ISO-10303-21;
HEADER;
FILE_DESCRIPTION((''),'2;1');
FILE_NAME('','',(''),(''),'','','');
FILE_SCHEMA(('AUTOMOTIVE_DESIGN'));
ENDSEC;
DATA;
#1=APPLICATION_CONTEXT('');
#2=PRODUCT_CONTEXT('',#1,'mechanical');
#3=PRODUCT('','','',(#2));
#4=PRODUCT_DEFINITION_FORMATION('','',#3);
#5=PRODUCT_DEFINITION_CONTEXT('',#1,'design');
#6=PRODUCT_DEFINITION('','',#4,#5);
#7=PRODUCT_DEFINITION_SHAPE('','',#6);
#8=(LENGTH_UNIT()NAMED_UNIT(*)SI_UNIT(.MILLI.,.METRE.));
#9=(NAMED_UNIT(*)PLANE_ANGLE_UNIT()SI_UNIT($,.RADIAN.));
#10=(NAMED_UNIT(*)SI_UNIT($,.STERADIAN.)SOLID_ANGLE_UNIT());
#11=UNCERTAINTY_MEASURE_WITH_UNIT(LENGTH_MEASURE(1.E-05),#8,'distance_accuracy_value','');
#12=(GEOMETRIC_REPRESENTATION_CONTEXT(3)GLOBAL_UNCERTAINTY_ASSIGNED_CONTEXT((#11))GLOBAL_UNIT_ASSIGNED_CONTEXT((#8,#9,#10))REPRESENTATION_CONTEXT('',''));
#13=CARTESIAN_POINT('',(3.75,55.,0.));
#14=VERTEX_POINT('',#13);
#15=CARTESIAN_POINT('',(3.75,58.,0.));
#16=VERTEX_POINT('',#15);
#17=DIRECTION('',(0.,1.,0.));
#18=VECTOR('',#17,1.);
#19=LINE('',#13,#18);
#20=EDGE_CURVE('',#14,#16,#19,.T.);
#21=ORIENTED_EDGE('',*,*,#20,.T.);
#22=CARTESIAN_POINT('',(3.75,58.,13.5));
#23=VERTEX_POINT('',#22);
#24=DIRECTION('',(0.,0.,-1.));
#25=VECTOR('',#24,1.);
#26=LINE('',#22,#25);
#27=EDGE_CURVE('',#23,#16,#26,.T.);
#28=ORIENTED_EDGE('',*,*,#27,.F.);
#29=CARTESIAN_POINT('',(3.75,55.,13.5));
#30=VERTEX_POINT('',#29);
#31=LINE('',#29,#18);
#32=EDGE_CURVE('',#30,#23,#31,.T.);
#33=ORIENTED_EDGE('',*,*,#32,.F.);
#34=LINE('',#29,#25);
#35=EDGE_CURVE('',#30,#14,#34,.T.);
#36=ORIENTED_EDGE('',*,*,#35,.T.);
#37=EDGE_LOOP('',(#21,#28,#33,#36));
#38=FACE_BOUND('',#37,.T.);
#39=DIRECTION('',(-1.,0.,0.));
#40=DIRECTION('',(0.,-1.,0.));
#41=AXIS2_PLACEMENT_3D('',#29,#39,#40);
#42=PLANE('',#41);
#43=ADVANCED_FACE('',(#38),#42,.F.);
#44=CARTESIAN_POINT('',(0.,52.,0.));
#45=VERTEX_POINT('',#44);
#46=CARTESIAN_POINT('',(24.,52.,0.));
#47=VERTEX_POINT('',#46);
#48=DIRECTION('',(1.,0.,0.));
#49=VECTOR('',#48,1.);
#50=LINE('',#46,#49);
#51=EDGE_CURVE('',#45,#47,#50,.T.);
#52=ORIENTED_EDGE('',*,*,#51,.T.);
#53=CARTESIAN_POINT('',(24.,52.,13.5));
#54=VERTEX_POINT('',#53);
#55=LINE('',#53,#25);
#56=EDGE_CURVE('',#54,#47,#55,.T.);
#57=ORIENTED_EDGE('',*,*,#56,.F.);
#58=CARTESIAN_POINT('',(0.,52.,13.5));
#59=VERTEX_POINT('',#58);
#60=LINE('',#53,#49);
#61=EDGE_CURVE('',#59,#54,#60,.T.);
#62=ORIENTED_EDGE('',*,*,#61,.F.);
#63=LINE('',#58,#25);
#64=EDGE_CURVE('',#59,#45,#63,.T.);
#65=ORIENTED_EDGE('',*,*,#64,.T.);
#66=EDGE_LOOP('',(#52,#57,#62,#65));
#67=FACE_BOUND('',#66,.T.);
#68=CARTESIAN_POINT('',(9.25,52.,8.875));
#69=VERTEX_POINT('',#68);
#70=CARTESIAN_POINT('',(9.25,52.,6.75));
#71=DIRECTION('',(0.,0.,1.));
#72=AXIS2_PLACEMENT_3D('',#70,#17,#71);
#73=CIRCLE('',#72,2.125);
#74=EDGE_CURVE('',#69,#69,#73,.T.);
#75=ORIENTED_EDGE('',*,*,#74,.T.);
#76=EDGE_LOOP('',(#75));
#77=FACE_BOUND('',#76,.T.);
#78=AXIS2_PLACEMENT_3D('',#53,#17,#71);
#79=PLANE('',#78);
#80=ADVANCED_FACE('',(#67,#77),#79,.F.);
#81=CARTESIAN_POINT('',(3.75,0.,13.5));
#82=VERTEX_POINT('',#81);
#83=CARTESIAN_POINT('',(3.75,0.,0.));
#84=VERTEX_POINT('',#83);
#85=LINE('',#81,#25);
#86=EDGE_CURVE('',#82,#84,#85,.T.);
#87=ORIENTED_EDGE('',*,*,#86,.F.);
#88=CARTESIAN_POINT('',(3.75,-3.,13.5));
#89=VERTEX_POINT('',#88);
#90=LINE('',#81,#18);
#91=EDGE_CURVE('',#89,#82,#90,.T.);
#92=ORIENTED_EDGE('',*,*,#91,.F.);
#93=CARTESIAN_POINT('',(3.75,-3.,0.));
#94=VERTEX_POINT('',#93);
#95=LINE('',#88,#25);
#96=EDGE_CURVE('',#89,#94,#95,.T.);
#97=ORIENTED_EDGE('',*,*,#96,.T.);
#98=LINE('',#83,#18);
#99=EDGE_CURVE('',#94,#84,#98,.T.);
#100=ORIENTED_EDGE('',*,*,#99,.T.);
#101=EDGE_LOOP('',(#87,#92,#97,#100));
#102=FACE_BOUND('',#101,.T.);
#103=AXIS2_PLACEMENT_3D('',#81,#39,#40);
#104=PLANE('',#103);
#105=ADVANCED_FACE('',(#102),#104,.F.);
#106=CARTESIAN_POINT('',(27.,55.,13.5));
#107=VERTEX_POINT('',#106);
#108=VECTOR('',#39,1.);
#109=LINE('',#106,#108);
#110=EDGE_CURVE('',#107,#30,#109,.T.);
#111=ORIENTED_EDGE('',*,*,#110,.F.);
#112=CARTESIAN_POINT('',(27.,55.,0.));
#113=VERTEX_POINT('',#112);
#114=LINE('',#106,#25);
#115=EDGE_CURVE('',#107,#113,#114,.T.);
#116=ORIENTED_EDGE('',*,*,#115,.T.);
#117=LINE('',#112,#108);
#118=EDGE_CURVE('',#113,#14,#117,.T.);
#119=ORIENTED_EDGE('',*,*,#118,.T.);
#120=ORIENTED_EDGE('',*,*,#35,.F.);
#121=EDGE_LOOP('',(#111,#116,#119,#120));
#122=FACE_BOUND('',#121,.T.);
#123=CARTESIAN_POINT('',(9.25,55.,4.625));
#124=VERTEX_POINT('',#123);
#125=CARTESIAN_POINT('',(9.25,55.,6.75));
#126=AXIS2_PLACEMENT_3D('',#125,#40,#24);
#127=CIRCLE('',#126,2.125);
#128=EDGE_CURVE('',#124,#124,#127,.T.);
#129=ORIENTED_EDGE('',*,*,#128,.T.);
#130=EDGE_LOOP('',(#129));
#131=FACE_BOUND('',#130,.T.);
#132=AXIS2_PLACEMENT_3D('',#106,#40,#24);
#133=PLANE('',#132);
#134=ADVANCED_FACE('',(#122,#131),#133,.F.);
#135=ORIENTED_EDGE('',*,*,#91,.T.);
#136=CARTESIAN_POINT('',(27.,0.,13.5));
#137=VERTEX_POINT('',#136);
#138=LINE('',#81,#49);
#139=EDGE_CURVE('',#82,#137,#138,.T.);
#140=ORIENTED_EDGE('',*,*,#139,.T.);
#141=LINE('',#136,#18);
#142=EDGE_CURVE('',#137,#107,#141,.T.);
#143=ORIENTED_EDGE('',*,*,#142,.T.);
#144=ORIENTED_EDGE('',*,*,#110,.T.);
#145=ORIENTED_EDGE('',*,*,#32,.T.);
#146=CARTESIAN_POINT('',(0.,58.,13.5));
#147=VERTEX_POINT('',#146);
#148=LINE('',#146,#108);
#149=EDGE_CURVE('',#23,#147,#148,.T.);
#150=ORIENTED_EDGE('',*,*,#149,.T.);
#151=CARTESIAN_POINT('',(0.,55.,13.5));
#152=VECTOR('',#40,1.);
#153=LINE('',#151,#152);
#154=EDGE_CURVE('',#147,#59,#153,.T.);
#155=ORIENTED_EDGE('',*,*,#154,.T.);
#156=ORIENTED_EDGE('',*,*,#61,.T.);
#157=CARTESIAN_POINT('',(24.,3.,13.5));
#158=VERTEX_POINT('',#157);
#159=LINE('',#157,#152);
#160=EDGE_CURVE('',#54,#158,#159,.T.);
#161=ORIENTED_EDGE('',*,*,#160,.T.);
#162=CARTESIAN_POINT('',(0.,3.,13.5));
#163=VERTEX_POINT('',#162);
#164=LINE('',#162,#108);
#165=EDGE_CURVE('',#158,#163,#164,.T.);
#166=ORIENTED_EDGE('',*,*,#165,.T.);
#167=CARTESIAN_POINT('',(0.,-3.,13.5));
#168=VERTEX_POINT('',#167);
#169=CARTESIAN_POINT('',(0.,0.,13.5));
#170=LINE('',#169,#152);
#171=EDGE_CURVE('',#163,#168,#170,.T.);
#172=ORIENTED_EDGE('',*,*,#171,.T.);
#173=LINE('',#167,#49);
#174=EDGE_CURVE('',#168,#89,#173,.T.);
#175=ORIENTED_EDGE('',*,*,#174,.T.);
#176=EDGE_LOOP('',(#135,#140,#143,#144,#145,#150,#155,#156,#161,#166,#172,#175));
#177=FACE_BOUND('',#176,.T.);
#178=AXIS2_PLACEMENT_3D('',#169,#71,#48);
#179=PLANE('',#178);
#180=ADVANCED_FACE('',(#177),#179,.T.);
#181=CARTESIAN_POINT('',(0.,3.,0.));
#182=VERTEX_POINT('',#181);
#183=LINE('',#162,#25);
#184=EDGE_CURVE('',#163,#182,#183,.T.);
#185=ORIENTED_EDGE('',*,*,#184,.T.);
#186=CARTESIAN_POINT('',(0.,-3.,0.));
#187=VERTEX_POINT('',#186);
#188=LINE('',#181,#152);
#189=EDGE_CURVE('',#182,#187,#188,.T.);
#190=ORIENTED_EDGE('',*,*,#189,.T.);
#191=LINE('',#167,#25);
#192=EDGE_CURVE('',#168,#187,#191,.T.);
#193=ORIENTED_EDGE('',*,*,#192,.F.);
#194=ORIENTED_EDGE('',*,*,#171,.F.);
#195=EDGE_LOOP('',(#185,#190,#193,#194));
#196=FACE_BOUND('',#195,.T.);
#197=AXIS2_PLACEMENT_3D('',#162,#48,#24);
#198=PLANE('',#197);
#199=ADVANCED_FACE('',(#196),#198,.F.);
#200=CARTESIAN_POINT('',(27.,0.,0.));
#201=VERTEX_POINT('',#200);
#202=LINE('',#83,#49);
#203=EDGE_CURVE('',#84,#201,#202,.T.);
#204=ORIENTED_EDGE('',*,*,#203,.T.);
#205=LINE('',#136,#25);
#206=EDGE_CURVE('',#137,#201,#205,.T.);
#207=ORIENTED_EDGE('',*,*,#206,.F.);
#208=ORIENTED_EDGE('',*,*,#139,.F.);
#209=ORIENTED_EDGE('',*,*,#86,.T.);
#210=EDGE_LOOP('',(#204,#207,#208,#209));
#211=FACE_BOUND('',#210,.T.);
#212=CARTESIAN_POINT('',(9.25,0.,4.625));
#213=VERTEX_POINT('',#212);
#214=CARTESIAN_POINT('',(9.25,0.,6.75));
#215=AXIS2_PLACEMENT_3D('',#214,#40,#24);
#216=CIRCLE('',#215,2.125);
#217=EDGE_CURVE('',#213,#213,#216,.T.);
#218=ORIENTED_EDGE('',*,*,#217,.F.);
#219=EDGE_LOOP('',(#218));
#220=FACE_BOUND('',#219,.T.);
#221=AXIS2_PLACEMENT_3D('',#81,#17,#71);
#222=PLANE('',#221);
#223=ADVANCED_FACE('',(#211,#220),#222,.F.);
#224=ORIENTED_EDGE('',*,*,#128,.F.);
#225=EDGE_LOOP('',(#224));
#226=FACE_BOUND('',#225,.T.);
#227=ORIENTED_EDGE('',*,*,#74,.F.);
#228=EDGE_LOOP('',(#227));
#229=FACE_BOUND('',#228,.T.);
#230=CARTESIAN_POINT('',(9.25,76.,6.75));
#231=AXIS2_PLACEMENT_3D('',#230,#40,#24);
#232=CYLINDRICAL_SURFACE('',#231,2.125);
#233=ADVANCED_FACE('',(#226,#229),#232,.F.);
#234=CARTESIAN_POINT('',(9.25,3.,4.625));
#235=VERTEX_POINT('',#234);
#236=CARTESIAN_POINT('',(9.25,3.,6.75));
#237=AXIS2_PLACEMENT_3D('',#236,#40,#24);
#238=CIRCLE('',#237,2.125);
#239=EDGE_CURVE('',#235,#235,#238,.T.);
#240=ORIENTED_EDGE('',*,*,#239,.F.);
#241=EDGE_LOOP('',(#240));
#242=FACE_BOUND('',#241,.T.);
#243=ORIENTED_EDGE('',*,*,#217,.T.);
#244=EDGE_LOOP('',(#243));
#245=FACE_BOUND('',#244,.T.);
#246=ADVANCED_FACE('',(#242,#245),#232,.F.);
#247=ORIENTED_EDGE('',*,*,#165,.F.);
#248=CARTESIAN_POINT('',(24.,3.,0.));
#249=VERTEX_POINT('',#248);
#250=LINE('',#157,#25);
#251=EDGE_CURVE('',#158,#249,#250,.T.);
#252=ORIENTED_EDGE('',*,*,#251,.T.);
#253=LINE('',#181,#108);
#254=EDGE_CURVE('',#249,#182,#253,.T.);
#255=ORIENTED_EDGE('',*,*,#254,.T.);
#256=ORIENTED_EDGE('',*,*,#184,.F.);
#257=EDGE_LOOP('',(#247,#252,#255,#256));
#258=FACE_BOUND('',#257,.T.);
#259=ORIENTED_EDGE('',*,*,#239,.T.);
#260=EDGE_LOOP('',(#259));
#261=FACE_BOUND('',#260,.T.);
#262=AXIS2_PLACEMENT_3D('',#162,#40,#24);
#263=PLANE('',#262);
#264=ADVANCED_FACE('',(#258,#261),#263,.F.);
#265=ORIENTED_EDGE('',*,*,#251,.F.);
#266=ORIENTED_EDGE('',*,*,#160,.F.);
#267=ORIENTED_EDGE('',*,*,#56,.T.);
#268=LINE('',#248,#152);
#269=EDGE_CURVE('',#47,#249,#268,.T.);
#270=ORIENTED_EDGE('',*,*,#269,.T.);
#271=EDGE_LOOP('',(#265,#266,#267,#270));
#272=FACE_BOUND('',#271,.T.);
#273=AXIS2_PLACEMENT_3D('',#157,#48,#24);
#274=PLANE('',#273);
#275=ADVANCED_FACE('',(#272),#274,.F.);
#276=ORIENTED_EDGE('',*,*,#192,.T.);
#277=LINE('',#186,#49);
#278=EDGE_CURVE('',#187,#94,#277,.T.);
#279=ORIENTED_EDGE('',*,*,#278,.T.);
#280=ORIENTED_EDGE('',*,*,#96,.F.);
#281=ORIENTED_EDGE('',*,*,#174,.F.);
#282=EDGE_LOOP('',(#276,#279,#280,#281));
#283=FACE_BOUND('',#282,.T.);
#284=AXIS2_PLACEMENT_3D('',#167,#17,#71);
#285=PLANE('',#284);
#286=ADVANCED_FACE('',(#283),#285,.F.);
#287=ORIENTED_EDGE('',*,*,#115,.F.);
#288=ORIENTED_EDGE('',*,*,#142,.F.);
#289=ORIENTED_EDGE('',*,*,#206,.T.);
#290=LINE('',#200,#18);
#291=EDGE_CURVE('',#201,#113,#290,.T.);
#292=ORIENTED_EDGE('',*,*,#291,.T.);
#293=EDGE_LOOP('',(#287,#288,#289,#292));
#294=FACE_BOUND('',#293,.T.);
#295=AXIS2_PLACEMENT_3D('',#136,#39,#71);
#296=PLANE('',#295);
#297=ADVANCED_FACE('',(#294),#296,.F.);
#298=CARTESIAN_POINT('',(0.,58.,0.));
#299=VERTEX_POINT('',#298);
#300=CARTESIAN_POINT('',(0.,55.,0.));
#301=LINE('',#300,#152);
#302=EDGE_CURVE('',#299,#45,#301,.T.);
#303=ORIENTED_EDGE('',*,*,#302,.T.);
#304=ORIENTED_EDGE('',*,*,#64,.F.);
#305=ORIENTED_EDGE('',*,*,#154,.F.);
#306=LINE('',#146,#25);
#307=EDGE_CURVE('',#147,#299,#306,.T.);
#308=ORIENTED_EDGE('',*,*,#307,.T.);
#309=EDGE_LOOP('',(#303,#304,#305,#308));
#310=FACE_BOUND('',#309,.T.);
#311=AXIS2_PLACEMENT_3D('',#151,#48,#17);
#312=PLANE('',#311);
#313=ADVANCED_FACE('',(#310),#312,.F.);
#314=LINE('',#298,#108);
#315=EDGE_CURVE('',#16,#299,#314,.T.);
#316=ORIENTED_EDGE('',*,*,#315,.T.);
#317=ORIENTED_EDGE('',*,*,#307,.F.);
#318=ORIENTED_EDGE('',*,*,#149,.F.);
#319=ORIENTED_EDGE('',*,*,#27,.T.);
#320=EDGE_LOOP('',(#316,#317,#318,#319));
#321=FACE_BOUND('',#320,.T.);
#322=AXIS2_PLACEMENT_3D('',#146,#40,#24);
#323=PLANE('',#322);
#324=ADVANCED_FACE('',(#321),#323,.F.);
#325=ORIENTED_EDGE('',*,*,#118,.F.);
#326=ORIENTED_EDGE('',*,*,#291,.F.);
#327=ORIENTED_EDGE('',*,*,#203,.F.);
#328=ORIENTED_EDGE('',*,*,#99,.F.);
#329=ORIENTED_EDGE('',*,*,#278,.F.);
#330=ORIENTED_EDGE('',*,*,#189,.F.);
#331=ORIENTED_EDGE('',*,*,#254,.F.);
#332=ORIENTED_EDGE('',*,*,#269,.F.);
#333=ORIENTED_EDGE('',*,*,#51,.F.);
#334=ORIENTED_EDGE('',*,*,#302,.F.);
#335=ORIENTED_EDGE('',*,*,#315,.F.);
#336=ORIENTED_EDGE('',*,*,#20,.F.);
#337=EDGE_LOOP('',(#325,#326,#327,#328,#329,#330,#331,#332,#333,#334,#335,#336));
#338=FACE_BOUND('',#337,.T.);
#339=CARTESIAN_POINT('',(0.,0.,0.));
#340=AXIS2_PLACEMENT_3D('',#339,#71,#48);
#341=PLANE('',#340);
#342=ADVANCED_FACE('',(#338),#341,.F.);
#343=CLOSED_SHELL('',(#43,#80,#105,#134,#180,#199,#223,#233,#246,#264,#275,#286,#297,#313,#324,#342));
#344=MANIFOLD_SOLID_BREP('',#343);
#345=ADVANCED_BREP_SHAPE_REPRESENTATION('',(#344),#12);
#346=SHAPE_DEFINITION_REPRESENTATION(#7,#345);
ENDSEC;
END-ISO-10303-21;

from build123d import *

# Parameters (mm, degrees)
SALIENTE_EXTRUIR1_DEPTH = 13.5
CROQUIS4_R              = 2.125
CORTAR_EXTRUIR1_DEPTH   = 76


with BuildPart() as part:
    # Croquis1 → Saliente-Extruir1 (new body)
    with BuildSketch(Plane.XY):
        Polygon((3.75, 0), (27, 0), (27, 55), (3.75, 55), (3.75, 58), (0, 58), (0, 55), (0, 52), (24, 52), (24, 3), (0, 3), (0, 0), (0, -3), (3.75, -3), align=None)
    extrude(amount=SALIENTE_EXTRUIR1_DEPTH)

    # Croquis4 → Cortar-Extruir1 (cut)
    with BuildSketch(Plane.XZ):
        with Locations(Location((9.25, 6.75, 0), (0, 0, 270))):
            Circle(CROQUIS4_R)
    extrude(amount=-CORTAR_EXTRUIR1_DEPTH, mode=Mode.SUBTRACT)


solid = part.part
